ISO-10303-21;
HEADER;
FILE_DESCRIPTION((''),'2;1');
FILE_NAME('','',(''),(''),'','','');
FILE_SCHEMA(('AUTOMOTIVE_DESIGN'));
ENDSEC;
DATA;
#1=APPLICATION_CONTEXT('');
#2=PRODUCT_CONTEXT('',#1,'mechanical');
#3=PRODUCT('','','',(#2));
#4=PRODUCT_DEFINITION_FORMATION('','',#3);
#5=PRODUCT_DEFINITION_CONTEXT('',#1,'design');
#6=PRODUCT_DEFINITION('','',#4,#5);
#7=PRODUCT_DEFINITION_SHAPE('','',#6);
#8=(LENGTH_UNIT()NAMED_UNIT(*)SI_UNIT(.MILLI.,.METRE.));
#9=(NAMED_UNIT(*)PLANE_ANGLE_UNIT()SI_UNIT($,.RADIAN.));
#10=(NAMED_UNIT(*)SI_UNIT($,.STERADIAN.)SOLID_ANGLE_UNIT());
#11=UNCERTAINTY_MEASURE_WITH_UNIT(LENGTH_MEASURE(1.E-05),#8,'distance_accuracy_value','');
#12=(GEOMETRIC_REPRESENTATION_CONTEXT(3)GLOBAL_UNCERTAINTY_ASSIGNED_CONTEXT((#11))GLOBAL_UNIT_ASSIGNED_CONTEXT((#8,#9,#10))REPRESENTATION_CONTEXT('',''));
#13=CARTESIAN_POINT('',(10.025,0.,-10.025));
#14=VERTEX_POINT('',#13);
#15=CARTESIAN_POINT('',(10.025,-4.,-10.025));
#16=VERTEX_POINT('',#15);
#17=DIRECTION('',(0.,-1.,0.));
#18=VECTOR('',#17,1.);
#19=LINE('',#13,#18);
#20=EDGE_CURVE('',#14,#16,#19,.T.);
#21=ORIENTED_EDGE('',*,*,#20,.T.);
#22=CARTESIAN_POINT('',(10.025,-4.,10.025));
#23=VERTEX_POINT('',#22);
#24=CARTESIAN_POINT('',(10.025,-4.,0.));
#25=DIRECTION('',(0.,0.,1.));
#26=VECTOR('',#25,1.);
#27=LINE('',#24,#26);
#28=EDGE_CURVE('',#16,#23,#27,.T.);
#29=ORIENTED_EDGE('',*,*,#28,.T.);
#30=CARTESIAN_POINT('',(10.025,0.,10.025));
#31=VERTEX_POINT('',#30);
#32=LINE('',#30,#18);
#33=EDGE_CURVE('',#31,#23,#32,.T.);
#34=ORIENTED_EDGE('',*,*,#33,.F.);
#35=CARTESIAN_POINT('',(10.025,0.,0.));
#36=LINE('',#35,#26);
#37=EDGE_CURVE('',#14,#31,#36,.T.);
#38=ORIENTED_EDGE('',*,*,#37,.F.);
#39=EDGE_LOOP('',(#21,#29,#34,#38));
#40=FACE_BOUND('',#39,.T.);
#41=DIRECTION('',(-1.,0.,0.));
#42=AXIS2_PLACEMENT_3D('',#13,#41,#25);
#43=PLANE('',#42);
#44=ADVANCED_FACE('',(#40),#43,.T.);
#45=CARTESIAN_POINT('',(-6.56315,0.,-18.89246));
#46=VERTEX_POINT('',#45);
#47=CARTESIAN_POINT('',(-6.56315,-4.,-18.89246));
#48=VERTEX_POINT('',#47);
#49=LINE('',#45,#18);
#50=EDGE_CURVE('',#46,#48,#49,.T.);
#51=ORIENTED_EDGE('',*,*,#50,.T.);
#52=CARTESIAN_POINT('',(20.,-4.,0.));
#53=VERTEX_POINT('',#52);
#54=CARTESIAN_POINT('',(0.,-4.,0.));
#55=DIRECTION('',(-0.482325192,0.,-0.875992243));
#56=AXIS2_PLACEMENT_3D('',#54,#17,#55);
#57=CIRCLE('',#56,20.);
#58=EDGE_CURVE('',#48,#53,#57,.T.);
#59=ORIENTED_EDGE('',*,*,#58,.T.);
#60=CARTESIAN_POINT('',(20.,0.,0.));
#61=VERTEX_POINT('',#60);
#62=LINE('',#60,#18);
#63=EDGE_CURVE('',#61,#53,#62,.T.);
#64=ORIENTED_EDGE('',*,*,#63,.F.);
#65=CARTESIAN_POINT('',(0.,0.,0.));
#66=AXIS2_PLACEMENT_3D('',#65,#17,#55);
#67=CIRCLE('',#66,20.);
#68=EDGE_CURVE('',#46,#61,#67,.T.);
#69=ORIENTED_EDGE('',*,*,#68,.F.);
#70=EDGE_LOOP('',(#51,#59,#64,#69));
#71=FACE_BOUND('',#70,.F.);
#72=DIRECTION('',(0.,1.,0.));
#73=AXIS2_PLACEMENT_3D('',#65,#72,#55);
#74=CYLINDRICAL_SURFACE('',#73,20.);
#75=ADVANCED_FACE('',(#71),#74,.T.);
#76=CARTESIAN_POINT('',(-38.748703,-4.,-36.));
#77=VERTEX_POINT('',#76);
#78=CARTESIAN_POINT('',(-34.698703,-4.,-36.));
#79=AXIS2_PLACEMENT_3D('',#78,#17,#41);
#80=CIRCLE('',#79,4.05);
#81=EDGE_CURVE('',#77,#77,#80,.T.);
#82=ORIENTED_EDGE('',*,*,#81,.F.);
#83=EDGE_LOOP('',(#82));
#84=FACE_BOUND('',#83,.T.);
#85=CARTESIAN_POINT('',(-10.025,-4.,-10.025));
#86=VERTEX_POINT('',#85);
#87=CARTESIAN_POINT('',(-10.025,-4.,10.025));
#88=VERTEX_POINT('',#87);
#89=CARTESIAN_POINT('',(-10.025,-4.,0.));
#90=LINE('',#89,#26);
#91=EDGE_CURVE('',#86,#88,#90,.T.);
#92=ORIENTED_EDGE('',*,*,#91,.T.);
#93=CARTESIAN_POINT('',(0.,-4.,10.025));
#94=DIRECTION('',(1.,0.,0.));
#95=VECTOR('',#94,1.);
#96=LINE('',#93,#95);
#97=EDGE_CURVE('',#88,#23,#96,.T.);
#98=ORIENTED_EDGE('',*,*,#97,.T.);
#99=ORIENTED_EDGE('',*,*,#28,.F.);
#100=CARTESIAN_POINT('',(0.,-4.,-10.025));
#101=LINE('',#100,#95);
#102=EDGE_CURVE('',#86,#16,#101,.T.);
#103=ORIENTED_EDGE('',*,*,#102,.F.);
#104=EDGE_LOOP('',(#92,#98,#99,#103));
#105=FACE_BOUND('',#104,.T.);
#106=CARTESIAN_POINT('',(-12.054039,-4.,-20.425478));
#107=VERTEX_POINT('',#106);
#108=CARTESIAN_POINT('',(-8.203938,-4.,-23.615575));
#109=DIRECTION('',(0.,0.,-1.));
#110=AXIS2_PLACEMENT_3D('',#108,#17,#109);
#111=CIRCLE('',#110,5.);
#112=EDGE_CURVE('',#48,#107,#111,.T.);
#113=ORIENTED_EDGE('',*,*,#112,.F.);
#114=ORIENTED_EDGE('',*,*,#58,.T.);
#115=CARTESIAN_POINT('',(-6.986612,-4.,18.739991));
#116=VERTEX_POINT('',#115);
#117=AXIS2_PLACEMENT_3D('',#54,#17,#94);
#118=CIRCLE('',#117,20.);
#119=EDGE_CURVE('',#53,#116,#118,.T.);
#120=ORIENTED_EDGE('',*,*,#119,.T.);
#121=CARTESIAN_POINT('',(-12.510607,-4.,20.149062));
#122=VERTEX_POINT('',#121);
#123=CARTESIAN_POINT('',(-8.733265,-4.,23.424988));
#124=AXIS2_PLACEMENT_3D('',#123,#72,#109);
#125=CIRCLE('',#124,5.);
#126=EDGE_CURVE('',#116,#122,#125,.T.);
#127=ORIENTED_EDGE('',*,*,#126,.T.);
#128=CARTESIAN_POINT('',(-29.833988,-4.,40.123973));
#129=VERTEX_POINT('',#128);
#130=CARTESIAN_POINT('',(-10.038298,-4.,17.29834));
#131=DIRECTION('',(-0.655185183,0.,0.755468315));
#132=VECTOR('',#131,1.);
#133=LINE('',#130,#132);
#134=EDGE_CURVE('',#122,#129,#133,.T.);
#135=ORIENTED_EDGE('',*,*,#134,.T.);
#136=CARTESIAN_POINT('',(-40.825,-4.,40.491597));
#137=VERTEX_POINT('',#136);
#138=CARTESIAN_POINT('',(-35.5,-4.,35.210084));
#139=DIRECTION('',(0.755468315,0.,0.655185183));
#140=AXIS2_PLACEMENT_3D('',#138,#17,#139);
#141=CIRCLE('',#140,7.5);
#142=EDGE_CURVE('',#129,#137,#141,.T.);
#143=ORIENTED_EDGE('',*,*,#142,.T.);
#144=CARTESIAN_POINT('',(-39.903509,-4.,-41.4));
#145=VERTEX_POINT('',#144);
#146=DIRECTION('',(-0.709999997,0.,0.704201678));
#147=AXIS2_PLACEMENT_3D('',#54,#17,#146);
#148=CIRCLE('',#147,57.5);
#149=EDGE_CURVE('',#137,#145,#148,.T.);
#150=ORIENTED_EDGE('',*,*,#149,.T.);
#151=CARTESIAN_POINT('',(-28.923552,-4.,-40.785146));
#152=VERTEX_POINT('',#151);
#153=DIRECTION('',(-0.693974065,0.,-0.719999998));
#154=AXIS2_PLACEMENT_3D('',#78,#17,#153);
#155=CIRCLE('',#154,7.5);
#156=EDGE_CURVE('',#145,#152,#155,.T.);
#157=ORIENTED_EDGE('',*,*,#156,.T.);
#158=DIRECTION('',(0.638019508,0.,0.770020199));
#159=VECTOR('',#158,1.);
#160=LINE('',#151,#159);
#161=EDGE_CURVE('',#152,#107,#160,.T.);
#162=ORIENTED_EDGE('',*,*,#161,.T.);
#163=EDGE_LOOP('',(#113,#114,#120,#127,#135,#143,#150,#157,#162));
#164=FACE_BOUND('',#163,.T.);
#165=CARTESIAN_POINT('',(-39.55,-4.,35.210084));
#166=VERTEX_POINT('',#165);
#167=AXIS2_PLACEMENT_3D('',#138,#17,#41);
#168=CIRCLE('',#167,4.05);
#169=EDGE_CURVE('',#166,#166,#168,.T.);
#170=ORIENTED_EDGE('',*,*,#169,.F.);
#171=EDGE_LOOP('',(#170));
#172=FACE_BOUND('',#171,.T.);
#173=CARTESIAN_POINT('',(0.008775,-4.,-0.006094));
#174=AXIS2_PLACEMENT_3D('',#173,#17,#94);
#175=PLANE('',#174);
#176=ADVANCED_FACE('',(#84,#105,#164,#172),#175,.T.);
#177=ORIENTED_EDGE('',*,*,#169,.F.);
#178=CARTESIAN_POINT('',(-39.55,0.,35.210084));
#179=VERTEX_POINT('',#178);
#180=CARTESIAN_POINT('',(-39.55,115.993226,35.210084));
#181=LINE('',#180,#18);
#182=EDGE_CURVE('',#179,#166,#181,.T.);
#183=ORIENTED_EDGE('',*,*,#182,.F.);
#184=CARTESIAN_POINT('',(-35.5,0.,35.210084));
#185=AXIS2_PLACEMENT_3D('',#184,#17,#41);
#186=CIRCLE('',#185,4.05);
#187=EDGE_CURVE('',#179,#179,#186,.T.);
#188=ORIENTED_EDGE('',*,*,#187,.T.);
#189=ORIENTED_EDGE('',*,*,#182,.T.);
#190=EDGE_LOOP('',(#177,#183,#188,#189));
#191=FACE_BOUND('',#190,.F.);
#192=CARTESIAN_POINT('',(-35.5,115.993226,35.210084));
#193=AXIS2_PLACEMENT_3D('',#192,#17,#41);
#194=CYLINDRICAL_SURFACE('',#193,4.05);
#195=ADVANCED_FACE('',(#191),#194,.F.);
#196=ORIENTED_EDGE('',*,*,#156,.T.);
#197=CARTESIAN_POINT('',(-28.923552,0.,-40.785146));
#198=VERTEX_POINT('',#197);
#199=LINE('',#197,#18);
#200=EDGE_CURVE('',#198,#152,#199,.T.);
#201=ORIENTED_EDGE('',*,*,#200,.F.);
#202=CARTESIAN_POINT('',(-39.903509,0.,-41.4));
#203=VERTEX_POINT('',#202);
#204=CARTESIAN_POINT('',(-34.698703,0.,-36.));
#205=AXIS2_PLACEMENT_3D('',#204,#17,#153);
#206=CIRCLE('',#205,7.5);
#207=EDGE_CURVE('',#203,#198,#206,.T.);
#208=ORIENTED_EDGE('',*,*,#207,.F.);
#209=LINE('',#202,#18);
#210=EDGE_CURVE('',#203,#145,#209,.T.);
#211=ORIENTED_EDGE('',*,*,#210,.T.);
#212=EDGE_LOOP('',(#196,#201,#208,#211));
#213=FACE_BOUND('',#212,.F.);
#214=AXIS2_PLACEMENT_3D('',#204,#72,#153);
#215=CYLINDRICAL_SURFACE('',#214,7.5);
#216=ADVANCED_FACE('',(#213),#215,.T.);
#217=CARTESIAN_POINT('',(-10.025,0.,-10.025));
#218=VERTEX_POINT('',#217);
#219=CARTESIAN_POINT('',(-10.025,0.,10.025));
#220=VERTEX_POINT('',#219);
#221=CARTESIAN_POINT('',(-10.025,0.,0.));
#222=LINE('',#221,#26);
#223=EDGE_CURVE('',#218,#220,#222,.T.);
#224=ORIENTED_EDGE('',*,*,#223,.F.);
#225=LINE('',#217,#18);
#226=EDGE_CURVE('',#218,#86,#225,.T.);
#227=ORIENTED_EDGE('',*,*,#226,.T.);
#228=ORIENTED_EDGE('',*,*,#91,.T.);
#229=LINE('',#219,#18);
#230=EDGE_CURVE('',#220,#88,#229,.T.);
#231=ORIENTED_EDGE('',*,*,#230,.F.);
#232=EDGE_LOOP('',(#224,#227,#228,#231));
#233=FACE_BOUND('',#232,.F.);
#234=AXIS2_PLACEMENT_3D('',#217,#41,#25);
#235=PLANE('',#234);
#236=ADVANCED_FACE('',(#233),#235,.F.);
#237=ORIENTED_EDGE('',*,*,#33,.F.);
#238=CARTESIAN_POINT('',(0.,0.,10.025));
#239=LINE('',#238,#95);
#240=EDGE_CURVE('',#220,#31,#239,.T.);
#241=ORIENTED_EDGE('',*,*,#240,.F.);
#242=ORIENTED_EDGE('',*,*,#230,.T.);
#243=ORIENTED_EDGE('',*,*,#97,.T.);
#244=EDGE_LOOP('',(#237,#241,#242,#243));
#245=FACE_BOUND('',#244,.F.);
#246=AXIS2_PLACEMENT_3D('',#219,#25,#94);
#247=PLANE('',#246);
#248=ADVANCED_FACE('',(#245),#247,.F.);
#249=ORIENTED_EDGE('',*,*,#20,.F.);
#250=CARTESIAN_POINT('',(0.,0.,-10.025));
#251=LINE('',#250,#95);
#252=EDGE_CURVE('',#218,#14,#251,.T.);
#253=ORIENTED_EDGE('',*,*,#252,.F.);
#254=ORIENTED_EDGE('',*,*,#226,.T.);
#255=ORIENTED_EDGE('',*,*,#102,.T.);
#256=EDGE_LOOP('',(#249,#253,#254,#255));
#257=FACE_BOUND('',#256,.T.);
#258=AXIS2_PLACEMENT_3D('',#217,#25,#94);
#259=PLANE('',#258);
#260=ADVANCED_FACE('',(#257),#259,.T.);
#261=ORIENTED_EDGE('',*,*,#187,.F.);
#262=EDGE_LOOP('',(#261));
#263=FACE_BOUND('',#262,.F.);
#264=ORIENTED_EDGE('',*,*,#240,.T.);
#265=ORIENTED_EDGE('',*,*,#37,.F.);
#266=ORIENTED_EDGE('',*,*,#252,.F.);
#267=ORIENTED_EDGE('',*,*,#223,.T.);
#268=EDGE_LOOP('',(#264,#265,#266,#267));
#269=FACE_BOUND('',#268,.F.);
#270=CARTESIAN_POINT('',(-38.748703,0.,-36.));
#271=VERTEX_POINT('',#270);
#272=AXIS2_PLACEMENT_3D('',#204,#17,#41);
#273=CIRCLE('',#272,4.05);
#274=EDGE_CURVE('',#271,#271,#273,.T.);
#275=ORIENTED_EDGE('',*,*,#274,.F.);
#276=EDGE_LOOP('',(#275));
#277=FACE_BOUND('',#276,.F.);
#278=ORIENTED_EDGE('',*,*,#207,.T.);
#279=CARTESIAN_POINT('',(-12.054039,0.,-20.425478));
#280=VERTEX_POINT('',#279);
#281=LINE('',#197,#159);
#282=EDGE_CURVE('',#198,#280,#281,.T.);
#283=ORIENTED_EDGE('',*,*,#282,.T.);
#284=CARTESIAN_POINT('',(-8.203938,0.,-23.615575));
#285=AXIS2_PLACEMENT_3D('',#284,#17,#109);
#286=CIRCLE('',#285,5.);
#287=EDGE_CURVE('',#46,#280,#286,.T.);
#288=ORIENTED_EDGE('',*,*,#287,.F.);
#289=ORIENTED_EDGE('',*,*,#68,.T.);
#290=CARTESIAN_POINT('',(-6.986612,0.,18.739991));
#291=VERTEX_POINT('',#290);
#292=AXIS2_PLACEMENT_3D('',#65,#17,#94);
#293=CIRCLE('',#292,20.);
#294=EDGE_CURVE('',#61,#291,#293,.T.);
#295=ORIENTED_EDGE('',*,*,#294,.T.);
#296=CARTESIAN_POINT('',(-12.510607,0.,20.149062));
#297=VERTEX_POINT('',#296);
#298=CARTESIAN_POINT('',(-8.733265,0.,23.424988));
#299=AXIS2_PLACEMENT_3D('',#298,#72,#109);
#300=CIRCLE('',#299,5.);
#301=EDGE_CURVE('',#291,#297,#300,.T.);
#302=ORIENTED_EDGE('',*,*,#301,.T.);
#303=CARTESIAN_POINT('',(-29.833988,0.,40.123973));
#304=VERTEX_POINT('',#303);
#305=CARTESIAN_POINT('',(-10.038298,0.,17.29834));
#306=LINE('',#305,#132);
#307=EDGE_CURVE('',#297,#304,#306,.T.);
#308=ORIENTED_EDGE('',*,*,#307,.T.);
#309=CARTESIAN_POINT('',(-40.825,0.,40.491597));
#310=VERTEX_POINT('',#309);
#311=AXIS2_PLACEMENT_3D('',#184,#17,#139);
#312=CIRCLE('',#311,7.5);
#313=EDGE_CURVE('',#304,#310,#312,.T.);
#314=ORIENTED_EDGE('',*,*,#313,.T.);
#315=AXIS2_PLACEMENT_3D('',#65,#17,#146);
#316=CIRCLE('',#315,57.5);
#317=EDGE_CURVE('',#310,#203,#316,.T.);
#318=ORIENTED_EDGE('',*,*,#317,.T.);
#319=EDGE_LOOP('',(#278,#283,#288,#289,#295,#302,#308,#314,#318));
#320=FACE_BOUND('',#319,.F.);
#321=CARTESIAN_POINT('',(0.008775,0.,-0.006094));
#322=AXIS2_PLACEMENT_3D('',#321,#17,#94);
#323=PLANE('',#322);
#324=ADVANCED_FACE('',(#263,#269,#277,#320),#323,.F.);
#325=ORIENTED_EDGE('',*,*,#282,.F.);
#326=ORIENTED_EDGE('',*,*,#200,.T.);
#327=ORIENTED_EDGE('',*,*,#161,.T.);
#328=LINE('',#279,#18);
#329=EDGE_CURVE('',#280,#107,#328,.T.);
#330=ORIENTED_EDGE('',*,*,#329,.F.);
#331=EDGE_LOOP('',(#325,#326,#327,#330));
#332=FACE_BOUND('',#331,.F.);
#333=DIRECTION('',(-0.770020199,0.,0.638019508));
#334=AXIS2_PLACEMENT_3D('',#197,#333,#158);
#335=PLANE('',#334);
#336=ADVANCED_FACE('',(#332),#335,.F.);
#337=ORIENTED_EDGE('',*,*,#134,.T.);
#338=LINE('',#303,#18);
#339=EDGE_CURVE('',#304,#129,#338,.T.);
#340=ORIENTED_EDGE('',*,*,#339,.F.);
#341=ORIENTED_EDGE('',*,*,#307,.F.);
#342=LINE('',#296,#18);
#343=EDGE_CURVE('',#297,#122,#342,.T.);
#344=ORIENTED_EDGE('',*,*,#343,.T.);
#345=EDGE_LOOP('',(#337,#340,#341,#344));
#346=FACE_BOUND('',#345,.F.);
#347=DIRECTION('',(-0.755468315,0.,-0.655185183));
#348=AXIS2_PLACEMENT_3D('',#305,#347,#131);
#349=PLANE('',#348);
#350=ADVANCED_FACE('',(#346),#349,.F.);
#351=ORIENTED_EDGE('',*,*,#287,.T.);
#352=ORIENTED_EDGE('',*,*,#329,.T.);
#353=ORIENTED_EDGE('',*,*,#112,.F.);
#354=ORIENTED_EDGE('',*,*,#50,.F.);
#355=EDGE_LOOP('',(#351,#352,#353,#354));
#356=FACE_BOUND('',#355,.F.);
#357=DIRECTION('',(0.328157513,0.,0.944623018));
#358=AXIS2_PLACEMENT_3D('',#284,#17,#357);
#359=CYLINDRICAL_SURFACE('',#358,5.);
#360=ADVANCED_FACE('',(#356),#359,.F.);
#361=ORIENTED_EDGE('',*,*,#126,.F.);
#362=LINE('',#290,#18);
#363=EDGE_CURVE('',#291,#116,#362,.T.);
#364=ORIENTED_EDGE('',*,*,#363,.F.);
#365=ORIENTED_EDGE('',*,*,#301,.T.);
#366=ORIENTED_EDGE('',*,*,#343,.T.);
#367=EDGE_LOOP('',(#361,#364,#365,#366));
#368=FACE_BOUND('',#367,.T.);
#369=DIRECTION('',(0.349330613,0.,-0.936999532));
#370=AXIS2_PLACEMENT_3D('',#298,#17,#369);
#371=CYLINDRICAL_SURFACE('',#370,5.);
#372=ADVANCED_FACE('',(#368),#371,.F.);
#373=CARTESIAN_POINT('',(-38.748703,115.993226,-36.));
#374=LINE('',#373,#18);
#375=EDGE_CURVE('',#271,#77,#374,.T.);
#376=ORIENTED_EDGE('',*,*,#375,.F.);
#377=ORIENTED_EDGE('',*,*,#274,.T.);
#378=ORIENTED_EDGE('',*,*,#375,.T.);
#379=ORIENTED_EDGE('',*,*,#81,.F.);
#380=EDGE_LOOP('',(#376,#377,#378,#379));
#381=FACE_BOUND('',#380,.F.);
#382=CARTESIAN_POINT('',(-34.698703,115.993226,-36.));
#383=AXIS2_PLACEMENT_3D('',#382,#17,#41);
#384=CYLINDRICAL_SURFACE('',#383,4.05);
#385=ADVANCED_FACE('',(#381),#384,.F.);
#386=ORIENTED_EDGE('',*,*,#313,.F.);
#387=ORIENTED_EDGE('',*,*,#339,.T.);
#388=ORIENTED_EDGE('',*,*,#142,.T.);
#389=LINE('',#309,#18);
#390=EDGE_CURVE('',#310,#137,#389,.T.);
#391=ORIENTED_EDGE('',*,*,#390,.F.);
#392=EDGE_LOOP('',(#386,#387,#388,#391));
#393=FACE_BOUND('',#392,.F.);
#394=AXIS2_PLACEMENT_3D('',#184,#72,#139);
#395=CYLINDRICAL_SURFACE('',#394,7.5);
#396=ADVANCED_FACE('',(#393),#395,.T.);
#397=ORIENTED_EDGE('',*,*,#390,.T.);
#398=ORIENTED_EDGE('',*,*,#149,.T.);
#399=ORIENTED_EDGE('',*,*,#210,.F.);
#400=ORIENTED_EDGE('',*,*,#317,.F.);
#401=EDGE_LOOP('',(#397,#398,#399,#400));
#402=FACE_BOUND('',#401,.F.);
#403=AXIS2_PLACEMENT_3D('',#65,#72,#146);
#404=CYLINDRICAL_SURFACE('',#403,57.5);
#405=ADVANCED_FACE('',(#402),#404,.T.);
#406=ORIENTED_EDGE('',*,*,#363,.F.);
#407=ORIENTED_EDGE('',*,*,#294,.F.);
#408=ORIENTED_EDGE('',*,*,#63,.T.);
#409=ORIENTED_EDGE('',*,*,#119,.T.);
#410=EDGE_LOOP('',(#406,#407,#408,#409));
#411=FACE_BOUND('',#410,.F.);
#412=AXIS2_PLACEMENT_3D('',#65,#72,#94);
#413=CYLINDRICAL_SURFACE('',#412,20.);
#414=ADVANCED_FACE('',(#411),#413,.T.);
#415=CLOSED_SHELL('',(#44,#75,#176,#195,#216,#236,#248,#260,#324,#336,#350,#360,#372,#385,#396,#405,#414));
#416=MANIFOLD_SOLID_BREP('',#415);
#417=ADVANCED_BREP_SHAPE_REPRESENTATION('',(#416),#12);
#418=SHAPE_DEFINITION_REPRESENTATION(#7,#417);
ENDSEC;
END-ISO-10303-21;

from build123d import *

# Parameters (mm, degrees)
F0_W     = 20.05
F0_H     = 20.05
F1_DEPTH = 4
F2_D     = 8.1
F3_R     = 5


with BuildPart() as f1:
    # F0 (on Front) → F1 (new body)
    with BuildSketch(Plane.XZ):
        with BuildLine():
            ThreePointArc((-9.6465038341, -17.519844856), (10.1752131014, -17.2181601323), (20, 0))
            ThreePointArc((20, 0), (9.9808325833, 17.331560257), (-10.0382980944, 17.2983401333))
            ThreePointArc((-10.0382980944, 17.2983401333), (-19.9987339156, -0.2250372661), (-9.6465038341, -17.519844856))
        make_face()
        Rectangle(F0_W, F0_H, mode=Mode.SUBTRACT)
        with BuildLine():
            ThreePointArc((-9.6465038341, -17.519844856), (-19.9987339156, -0.2250372661), (-10.0382980944, 17.2983401333))
            Line((-10.0382980944, 17.2983401333), (-29.8339876344, 40.1239726576))
            ThreePointArc((-29.8339876344, 40.1239726576), (-28.4734399333, 37.8325737503), (-28, 35.2100837829))
            ThreePointArc((-28, 35.2100837829), (-38.3559150153, 28.275118071), (-40.8249998468, 40.4915965048))
            ThreePointArc((-40.8249998468, 40.4915965048), (-57.4963600088, -0.6469820224), (-39.9035086306, -41.3999999875))
            ThreePointArc((-39.9035086306, -41.3999999875), (-37.6324685474, -29.09760762), (-27.1987031458, -36))
            ThreePointArc((-27.1987031458, -36), (-27.6430799913, -38.5432620593), (-28.9235516531, -40.785146313))
            Line((-28.9235516531, -40.785146313), (-9.6465038341, -17.519844856))
        make_face()
        with BuildLine():
            ThreePointArc((-28, 35.2100837829), (-28.4734399333, 37.8325737503), (-29.8339876344, 40.1239726576))
            ThreePointArc((-29.8339876344, 40.1239726576), (-35.2492826138, 42.7058919977), (-40.8249998468, 40.4915965048))
            ThreePointArc((-40.8249998468, 40.4915965048), (-38.3559150153, 28.275118071), (-28, 35.2100837829))
        make_face()
        with BuildLine():
            ThreePointArc((-39.9035086306, -41.3999999875), (-34.2793764206, -43.488268498), (-28.9235516531, -40.785146313))
            ThreePointArc((-28.9235516531, -40.785146313), (-27.6430799913, -38.5432620593), (-27.1987031458, -36))
            ThreePointArc((-27.1987031458, -36), (-37.6324685474, -29.09760762), (-39.9035086306, -41.3999999875))
        make_face()
    extrude(amount=F1_DEPTH)

    # F2 (through all)
    with Locations(Plane(origin=(0, 0, 0), x_dir=(1, 0, 0), z_dir=(0, 1, 0))):
        with Locations((-34.6987031458, 36), (-35.5, -35.2100837829)):
            Hole(F2_D / 2)

    # F3
    f3_edges = [f1.edges().sort_by_distance(p)[0] for p in [
        (-10.038298, -2, 17.29834),
        (-9.646504, -2, -17.519845),
    ]]
    fillet(f3_edges, radius=F3_R)


solid = f1.part
